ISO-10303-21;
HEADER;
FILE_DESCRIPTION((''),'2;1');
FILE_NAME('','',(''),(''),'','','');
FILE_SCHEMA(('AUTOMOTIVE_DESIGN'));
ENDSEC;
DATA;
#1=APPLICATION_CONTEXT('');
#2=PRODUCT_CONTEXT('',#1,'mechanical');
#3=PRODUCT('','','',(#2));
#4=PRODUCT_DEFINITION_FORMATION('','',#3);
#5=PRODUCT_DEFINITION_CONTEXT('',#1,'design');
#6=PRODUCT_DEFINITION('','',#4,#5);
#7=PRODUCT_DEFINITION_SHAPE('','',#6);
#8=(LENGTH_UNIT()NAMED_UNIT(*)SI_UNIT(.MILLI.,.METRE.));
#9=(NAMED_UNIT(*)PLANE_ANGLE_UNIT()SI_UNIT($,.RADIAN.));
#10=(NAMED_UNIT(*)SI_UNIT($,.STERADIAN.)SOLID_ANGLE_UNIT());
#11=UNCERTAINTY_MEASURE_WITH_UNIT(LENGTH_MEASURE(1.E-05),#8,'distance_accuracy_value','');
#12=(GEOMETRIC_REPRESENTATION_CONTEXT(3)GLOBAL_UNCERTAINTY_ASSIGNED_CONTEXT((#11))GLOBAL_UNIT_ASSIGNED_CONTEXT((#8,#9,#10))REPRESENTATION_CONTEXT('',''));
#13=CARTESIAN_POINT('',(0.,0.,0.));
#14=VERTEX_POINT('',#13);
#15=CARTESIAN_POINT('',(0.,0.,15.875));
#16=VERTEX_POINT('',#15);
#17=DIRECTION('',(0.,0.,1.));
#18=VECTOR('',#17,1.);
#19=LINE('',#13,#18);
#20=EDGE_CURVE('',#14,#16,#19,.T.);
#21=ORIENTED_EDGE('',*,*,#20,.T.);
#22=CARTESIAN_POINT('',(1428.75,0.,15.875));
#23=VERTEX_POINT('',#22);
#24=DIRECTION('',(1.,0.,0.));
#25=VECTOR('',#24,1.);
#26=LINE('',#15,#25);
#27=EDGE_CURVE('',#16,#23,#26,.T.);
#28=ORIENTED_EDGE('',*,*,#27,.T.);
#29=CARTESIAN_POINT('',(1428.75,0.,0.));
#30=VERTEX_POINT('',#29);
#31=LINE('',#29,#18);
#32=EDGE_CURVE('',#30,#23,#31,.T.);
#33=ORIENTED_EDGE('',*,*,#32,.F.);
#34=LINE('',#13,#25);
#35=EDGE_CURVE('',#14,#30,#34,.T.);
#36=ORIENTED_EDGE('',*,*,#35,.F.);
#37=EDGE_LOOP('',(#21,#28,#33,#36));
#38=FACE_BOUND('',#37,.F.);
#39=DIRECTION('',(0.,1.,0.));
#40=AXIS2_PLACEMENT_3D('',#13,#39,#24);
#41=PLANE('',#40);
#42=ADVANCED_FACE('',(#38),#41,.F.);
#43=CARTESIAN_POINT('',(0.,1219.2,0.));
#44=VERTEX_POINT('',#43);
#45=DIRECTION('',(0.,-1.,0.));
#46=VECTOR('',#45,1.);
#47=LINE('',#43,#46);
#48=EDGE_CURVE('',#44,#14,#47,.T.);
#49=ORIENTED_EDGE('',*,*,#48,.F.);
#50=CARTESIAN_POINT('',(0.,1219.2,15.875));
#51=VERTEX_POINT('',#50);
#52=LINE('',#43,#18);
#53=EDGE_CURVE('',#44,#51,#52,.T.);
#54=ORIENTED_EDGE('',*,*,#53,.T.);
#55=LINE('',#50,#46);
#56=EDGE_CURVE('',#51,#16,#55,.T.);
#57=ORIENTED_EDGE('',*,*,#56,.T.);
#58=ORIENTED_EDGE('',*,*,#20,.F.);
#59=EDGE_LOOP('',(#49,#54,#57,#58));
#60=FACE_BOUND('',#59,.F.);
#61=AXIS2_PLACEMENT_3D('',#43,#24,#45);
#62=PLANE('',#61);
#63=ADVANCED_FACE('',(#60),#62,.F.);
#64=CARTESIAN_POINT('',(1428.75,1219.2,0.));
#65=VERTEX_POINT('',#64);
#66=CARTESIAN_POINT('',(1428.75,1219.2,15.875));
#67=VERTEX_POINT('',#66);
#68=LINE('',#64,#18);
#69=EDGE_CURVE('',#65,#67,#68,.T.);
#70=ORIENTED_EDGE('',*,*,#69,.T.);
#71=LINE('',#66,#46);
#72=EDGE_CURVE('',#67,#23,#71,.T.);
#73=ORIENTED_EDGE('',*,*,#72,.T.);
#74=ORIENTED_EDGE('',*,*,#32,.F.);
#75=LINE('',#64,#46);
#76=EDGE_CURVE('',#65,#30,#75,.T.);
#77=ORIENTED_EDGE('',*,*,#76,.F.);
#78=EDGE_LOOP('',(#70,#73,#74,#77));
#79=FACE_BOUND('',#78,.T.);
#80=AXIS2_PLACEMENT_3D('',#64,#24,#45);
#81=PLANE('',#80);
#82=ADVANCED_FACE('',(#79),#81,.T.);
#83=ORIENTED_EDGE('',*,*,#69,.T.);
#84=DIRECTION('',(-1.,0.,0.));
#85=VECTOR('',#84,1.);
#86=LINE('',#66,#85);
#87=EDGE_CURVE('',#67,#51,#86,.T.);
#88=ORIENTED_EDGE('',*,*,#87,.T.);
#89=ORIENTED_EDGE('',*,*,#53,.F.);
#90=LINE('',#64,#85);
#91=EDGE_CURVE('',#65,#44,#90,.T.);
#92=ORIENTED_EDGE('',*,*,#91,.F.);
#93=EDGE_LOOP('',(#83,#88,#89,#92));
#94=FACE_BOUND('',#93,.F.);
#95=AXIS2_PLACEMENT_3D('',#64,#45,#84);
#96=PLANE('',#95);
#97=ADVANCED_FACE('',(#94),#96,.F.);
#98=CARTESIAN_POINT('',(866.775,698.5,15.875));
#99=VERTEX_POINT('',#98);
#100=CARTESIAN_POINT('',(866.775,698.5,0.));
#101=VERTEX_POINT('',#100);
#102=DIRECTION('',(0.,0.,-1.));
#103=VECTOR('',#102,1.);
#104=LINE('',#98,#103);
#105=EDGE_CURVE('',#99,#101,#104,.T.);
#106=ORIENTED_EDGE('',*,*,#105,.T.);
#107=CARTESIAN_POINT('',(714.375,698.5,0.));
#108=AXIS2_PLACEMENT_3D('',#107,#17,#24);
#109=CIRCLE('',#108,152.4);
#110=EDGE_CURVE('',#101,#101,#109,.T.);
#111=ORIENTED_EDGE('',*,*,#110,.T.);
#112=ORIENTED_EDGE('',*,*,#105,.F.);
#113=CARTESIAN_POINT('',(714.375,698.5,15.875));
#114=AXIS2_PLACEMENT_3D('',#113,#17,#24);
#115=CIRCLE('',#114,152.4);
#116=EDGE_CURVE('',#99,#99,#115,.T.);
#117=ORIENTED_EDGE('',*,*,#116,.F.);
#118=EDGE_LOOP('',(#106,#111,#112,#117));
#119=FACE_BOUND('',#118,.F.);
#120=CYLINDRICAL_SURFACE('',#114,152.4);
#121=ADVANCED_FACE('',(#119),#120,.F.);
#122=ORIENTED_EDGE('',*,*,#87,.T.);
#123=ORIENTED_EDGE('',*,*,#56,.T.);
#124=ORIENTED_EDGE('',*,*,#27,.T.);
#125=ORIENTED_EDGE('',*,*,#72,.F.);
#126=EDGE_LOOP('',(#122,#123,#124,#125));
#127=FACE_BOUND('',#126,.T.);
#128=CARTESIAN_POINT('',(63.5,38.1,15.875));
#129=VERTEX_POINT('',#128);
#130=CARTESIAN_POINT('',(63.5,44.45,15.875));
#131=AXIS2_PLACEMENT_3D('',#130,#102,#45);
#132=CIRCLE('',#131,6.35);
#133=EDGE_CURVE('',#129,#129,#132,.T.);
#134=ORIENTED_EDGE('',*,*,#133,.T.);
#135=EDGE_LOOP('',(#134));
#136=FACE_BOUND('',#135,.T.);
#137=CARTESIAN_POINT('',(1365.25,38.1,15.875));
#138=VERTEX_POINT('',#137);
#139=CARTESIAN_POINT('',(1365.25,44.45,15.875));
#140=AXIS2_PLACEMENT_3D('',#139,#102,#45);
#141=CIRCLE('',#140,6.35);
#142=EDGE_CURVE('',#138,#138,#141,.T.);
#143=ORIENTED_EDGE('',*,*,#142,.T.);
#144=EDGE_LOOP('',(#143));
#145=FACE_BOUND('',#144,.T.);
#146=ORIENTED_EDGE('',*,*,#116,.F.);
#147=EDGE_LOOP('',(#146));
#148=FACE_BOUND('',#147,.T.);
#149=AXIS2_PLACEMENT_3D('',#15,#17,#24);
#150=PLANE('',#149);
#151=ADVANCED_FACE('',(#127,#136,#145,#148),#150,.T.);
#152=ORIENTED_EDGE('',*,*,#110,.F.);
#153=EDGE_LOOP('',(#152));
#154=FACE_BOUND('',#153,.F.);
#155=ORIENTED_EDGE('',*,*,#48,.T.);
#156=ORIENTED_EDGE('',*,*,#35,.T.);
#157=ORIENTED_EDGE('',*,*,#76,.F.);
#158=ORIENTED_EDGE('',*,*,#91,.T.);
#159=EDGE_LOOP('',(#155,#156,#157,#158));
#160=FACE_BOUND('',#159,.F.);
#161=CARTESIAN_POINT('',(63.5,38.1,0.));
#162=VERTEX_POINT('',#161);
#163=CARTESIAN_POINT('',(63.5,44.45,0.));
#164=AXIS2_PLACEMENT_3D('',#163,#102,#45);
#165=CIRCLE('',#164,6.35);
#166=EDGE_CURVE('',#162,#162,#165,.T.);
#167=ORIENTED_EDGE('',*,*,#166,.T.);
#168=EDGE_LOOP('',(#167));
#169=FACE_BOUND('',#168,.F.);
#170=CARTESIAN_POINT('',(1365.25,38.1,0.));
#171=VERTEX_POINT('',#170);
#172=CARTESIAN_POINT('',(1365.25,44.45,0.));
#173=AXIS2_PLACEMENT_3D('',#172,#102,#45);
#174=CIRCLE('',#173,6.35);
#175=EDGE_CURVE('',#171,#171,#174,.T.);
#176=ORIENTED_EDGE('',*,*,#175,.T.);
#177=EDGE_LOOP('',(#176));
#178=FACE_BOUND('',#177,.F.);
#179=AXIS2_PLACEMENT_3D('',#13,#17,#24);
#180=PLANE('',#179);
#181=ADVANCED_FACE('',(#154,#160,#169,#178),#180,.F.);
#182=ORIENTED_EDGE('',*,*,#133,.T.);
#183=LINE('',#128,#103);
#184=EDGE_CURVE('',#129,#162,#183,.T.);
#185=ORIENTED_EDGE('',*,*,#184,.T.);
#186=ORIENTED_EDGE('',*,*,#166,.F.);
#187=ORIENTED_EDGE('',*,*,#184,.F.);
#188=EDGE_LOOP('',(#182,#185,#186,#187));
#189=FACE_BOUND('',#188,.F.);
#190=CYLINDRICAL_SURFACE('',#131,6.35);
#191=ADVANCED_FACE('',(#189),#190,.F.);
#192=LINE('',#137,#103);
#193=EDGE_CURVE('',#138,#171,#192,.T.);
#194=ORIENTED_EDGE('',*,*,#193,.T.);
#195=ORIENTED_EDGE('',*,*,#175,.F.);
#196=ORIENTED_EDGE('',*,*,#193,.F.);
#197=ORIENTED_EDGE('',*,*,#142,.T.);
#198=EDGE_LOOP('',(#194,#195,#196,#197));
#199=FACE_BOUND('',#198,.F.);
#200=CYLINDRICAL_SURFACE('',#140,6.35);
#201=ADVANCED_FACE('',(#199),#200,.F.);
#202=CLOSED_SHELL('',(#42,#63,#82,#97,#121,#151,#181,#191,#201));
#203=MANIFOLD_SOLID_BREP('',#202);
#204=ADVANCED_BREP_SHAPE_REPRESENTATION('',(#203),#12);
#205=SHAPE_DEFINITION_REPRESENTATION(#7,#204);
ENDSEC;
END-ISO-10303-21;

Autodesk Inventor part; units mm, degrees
ref_plane "YZ Plane" through (0, 0, 0) normal (1, 0, 0) x (0, 1, 0)
ref_plane "XZ Plane" through (0, 0, 0) normal (0, 1, 0) x (-1, 0, 0)
ref_plane "XY Plane" through (0, 0, 0) normal (0, 0, 1) x (1, 0, 0)
sketch "Sketch1" plane through (0, 0, 0) normal (0, 0, 1) x (1, 0, 0)
  line L0 (0, 0) -> (1428.75, 0)
  line L1 (1428.75, 1219.2) -> (0, 1219.2)
  line L2 (0, 1219.2) -> (0, 0)
  line L3 (0, 0) -> (1428.75, 0)
  line L4 (1428.75, 1219.2) -> (0, 1219.2)
  line L5 (0, 1219.2) -> (0, 0)
  line L6 (0, 1219.2) -> (1428.75, 1219.2)
  line L7 (1428.75, 1219.2) -> (1428.75, 0)
extrude "Extrusion1" add sketch "Sketch1" along normal blind 15.875
sketch "Sketch2" plane through (0, 0, 15.875) normal (0, 0, 1) x (1, 0, 0)
  circle A0 centre (714.375, 698.5) radius 152.4
extrude "Extrusion2" cut sketch "Sketch2" against normal blind 15.875
sketch "Sketch3" plane through (0, 0, 15.875) normal (0, 0, 1) x (1, 0, 0)
  line L0 (1428.75, 0) -> (1428.75, 1219.2) projected
  line L1 (0, 0) -> (63.5, 0)
  point P0 (1365.25, 44.45)
  point P1 (63.5, 44.45)
hole "Hole1" at (1365.25, 44.45, 15.875) at (63.5, 44.45, 15.875) direction (0, 0, -1) diameter 12.7 end through all
properties part number "56.25x48 Gyp"
